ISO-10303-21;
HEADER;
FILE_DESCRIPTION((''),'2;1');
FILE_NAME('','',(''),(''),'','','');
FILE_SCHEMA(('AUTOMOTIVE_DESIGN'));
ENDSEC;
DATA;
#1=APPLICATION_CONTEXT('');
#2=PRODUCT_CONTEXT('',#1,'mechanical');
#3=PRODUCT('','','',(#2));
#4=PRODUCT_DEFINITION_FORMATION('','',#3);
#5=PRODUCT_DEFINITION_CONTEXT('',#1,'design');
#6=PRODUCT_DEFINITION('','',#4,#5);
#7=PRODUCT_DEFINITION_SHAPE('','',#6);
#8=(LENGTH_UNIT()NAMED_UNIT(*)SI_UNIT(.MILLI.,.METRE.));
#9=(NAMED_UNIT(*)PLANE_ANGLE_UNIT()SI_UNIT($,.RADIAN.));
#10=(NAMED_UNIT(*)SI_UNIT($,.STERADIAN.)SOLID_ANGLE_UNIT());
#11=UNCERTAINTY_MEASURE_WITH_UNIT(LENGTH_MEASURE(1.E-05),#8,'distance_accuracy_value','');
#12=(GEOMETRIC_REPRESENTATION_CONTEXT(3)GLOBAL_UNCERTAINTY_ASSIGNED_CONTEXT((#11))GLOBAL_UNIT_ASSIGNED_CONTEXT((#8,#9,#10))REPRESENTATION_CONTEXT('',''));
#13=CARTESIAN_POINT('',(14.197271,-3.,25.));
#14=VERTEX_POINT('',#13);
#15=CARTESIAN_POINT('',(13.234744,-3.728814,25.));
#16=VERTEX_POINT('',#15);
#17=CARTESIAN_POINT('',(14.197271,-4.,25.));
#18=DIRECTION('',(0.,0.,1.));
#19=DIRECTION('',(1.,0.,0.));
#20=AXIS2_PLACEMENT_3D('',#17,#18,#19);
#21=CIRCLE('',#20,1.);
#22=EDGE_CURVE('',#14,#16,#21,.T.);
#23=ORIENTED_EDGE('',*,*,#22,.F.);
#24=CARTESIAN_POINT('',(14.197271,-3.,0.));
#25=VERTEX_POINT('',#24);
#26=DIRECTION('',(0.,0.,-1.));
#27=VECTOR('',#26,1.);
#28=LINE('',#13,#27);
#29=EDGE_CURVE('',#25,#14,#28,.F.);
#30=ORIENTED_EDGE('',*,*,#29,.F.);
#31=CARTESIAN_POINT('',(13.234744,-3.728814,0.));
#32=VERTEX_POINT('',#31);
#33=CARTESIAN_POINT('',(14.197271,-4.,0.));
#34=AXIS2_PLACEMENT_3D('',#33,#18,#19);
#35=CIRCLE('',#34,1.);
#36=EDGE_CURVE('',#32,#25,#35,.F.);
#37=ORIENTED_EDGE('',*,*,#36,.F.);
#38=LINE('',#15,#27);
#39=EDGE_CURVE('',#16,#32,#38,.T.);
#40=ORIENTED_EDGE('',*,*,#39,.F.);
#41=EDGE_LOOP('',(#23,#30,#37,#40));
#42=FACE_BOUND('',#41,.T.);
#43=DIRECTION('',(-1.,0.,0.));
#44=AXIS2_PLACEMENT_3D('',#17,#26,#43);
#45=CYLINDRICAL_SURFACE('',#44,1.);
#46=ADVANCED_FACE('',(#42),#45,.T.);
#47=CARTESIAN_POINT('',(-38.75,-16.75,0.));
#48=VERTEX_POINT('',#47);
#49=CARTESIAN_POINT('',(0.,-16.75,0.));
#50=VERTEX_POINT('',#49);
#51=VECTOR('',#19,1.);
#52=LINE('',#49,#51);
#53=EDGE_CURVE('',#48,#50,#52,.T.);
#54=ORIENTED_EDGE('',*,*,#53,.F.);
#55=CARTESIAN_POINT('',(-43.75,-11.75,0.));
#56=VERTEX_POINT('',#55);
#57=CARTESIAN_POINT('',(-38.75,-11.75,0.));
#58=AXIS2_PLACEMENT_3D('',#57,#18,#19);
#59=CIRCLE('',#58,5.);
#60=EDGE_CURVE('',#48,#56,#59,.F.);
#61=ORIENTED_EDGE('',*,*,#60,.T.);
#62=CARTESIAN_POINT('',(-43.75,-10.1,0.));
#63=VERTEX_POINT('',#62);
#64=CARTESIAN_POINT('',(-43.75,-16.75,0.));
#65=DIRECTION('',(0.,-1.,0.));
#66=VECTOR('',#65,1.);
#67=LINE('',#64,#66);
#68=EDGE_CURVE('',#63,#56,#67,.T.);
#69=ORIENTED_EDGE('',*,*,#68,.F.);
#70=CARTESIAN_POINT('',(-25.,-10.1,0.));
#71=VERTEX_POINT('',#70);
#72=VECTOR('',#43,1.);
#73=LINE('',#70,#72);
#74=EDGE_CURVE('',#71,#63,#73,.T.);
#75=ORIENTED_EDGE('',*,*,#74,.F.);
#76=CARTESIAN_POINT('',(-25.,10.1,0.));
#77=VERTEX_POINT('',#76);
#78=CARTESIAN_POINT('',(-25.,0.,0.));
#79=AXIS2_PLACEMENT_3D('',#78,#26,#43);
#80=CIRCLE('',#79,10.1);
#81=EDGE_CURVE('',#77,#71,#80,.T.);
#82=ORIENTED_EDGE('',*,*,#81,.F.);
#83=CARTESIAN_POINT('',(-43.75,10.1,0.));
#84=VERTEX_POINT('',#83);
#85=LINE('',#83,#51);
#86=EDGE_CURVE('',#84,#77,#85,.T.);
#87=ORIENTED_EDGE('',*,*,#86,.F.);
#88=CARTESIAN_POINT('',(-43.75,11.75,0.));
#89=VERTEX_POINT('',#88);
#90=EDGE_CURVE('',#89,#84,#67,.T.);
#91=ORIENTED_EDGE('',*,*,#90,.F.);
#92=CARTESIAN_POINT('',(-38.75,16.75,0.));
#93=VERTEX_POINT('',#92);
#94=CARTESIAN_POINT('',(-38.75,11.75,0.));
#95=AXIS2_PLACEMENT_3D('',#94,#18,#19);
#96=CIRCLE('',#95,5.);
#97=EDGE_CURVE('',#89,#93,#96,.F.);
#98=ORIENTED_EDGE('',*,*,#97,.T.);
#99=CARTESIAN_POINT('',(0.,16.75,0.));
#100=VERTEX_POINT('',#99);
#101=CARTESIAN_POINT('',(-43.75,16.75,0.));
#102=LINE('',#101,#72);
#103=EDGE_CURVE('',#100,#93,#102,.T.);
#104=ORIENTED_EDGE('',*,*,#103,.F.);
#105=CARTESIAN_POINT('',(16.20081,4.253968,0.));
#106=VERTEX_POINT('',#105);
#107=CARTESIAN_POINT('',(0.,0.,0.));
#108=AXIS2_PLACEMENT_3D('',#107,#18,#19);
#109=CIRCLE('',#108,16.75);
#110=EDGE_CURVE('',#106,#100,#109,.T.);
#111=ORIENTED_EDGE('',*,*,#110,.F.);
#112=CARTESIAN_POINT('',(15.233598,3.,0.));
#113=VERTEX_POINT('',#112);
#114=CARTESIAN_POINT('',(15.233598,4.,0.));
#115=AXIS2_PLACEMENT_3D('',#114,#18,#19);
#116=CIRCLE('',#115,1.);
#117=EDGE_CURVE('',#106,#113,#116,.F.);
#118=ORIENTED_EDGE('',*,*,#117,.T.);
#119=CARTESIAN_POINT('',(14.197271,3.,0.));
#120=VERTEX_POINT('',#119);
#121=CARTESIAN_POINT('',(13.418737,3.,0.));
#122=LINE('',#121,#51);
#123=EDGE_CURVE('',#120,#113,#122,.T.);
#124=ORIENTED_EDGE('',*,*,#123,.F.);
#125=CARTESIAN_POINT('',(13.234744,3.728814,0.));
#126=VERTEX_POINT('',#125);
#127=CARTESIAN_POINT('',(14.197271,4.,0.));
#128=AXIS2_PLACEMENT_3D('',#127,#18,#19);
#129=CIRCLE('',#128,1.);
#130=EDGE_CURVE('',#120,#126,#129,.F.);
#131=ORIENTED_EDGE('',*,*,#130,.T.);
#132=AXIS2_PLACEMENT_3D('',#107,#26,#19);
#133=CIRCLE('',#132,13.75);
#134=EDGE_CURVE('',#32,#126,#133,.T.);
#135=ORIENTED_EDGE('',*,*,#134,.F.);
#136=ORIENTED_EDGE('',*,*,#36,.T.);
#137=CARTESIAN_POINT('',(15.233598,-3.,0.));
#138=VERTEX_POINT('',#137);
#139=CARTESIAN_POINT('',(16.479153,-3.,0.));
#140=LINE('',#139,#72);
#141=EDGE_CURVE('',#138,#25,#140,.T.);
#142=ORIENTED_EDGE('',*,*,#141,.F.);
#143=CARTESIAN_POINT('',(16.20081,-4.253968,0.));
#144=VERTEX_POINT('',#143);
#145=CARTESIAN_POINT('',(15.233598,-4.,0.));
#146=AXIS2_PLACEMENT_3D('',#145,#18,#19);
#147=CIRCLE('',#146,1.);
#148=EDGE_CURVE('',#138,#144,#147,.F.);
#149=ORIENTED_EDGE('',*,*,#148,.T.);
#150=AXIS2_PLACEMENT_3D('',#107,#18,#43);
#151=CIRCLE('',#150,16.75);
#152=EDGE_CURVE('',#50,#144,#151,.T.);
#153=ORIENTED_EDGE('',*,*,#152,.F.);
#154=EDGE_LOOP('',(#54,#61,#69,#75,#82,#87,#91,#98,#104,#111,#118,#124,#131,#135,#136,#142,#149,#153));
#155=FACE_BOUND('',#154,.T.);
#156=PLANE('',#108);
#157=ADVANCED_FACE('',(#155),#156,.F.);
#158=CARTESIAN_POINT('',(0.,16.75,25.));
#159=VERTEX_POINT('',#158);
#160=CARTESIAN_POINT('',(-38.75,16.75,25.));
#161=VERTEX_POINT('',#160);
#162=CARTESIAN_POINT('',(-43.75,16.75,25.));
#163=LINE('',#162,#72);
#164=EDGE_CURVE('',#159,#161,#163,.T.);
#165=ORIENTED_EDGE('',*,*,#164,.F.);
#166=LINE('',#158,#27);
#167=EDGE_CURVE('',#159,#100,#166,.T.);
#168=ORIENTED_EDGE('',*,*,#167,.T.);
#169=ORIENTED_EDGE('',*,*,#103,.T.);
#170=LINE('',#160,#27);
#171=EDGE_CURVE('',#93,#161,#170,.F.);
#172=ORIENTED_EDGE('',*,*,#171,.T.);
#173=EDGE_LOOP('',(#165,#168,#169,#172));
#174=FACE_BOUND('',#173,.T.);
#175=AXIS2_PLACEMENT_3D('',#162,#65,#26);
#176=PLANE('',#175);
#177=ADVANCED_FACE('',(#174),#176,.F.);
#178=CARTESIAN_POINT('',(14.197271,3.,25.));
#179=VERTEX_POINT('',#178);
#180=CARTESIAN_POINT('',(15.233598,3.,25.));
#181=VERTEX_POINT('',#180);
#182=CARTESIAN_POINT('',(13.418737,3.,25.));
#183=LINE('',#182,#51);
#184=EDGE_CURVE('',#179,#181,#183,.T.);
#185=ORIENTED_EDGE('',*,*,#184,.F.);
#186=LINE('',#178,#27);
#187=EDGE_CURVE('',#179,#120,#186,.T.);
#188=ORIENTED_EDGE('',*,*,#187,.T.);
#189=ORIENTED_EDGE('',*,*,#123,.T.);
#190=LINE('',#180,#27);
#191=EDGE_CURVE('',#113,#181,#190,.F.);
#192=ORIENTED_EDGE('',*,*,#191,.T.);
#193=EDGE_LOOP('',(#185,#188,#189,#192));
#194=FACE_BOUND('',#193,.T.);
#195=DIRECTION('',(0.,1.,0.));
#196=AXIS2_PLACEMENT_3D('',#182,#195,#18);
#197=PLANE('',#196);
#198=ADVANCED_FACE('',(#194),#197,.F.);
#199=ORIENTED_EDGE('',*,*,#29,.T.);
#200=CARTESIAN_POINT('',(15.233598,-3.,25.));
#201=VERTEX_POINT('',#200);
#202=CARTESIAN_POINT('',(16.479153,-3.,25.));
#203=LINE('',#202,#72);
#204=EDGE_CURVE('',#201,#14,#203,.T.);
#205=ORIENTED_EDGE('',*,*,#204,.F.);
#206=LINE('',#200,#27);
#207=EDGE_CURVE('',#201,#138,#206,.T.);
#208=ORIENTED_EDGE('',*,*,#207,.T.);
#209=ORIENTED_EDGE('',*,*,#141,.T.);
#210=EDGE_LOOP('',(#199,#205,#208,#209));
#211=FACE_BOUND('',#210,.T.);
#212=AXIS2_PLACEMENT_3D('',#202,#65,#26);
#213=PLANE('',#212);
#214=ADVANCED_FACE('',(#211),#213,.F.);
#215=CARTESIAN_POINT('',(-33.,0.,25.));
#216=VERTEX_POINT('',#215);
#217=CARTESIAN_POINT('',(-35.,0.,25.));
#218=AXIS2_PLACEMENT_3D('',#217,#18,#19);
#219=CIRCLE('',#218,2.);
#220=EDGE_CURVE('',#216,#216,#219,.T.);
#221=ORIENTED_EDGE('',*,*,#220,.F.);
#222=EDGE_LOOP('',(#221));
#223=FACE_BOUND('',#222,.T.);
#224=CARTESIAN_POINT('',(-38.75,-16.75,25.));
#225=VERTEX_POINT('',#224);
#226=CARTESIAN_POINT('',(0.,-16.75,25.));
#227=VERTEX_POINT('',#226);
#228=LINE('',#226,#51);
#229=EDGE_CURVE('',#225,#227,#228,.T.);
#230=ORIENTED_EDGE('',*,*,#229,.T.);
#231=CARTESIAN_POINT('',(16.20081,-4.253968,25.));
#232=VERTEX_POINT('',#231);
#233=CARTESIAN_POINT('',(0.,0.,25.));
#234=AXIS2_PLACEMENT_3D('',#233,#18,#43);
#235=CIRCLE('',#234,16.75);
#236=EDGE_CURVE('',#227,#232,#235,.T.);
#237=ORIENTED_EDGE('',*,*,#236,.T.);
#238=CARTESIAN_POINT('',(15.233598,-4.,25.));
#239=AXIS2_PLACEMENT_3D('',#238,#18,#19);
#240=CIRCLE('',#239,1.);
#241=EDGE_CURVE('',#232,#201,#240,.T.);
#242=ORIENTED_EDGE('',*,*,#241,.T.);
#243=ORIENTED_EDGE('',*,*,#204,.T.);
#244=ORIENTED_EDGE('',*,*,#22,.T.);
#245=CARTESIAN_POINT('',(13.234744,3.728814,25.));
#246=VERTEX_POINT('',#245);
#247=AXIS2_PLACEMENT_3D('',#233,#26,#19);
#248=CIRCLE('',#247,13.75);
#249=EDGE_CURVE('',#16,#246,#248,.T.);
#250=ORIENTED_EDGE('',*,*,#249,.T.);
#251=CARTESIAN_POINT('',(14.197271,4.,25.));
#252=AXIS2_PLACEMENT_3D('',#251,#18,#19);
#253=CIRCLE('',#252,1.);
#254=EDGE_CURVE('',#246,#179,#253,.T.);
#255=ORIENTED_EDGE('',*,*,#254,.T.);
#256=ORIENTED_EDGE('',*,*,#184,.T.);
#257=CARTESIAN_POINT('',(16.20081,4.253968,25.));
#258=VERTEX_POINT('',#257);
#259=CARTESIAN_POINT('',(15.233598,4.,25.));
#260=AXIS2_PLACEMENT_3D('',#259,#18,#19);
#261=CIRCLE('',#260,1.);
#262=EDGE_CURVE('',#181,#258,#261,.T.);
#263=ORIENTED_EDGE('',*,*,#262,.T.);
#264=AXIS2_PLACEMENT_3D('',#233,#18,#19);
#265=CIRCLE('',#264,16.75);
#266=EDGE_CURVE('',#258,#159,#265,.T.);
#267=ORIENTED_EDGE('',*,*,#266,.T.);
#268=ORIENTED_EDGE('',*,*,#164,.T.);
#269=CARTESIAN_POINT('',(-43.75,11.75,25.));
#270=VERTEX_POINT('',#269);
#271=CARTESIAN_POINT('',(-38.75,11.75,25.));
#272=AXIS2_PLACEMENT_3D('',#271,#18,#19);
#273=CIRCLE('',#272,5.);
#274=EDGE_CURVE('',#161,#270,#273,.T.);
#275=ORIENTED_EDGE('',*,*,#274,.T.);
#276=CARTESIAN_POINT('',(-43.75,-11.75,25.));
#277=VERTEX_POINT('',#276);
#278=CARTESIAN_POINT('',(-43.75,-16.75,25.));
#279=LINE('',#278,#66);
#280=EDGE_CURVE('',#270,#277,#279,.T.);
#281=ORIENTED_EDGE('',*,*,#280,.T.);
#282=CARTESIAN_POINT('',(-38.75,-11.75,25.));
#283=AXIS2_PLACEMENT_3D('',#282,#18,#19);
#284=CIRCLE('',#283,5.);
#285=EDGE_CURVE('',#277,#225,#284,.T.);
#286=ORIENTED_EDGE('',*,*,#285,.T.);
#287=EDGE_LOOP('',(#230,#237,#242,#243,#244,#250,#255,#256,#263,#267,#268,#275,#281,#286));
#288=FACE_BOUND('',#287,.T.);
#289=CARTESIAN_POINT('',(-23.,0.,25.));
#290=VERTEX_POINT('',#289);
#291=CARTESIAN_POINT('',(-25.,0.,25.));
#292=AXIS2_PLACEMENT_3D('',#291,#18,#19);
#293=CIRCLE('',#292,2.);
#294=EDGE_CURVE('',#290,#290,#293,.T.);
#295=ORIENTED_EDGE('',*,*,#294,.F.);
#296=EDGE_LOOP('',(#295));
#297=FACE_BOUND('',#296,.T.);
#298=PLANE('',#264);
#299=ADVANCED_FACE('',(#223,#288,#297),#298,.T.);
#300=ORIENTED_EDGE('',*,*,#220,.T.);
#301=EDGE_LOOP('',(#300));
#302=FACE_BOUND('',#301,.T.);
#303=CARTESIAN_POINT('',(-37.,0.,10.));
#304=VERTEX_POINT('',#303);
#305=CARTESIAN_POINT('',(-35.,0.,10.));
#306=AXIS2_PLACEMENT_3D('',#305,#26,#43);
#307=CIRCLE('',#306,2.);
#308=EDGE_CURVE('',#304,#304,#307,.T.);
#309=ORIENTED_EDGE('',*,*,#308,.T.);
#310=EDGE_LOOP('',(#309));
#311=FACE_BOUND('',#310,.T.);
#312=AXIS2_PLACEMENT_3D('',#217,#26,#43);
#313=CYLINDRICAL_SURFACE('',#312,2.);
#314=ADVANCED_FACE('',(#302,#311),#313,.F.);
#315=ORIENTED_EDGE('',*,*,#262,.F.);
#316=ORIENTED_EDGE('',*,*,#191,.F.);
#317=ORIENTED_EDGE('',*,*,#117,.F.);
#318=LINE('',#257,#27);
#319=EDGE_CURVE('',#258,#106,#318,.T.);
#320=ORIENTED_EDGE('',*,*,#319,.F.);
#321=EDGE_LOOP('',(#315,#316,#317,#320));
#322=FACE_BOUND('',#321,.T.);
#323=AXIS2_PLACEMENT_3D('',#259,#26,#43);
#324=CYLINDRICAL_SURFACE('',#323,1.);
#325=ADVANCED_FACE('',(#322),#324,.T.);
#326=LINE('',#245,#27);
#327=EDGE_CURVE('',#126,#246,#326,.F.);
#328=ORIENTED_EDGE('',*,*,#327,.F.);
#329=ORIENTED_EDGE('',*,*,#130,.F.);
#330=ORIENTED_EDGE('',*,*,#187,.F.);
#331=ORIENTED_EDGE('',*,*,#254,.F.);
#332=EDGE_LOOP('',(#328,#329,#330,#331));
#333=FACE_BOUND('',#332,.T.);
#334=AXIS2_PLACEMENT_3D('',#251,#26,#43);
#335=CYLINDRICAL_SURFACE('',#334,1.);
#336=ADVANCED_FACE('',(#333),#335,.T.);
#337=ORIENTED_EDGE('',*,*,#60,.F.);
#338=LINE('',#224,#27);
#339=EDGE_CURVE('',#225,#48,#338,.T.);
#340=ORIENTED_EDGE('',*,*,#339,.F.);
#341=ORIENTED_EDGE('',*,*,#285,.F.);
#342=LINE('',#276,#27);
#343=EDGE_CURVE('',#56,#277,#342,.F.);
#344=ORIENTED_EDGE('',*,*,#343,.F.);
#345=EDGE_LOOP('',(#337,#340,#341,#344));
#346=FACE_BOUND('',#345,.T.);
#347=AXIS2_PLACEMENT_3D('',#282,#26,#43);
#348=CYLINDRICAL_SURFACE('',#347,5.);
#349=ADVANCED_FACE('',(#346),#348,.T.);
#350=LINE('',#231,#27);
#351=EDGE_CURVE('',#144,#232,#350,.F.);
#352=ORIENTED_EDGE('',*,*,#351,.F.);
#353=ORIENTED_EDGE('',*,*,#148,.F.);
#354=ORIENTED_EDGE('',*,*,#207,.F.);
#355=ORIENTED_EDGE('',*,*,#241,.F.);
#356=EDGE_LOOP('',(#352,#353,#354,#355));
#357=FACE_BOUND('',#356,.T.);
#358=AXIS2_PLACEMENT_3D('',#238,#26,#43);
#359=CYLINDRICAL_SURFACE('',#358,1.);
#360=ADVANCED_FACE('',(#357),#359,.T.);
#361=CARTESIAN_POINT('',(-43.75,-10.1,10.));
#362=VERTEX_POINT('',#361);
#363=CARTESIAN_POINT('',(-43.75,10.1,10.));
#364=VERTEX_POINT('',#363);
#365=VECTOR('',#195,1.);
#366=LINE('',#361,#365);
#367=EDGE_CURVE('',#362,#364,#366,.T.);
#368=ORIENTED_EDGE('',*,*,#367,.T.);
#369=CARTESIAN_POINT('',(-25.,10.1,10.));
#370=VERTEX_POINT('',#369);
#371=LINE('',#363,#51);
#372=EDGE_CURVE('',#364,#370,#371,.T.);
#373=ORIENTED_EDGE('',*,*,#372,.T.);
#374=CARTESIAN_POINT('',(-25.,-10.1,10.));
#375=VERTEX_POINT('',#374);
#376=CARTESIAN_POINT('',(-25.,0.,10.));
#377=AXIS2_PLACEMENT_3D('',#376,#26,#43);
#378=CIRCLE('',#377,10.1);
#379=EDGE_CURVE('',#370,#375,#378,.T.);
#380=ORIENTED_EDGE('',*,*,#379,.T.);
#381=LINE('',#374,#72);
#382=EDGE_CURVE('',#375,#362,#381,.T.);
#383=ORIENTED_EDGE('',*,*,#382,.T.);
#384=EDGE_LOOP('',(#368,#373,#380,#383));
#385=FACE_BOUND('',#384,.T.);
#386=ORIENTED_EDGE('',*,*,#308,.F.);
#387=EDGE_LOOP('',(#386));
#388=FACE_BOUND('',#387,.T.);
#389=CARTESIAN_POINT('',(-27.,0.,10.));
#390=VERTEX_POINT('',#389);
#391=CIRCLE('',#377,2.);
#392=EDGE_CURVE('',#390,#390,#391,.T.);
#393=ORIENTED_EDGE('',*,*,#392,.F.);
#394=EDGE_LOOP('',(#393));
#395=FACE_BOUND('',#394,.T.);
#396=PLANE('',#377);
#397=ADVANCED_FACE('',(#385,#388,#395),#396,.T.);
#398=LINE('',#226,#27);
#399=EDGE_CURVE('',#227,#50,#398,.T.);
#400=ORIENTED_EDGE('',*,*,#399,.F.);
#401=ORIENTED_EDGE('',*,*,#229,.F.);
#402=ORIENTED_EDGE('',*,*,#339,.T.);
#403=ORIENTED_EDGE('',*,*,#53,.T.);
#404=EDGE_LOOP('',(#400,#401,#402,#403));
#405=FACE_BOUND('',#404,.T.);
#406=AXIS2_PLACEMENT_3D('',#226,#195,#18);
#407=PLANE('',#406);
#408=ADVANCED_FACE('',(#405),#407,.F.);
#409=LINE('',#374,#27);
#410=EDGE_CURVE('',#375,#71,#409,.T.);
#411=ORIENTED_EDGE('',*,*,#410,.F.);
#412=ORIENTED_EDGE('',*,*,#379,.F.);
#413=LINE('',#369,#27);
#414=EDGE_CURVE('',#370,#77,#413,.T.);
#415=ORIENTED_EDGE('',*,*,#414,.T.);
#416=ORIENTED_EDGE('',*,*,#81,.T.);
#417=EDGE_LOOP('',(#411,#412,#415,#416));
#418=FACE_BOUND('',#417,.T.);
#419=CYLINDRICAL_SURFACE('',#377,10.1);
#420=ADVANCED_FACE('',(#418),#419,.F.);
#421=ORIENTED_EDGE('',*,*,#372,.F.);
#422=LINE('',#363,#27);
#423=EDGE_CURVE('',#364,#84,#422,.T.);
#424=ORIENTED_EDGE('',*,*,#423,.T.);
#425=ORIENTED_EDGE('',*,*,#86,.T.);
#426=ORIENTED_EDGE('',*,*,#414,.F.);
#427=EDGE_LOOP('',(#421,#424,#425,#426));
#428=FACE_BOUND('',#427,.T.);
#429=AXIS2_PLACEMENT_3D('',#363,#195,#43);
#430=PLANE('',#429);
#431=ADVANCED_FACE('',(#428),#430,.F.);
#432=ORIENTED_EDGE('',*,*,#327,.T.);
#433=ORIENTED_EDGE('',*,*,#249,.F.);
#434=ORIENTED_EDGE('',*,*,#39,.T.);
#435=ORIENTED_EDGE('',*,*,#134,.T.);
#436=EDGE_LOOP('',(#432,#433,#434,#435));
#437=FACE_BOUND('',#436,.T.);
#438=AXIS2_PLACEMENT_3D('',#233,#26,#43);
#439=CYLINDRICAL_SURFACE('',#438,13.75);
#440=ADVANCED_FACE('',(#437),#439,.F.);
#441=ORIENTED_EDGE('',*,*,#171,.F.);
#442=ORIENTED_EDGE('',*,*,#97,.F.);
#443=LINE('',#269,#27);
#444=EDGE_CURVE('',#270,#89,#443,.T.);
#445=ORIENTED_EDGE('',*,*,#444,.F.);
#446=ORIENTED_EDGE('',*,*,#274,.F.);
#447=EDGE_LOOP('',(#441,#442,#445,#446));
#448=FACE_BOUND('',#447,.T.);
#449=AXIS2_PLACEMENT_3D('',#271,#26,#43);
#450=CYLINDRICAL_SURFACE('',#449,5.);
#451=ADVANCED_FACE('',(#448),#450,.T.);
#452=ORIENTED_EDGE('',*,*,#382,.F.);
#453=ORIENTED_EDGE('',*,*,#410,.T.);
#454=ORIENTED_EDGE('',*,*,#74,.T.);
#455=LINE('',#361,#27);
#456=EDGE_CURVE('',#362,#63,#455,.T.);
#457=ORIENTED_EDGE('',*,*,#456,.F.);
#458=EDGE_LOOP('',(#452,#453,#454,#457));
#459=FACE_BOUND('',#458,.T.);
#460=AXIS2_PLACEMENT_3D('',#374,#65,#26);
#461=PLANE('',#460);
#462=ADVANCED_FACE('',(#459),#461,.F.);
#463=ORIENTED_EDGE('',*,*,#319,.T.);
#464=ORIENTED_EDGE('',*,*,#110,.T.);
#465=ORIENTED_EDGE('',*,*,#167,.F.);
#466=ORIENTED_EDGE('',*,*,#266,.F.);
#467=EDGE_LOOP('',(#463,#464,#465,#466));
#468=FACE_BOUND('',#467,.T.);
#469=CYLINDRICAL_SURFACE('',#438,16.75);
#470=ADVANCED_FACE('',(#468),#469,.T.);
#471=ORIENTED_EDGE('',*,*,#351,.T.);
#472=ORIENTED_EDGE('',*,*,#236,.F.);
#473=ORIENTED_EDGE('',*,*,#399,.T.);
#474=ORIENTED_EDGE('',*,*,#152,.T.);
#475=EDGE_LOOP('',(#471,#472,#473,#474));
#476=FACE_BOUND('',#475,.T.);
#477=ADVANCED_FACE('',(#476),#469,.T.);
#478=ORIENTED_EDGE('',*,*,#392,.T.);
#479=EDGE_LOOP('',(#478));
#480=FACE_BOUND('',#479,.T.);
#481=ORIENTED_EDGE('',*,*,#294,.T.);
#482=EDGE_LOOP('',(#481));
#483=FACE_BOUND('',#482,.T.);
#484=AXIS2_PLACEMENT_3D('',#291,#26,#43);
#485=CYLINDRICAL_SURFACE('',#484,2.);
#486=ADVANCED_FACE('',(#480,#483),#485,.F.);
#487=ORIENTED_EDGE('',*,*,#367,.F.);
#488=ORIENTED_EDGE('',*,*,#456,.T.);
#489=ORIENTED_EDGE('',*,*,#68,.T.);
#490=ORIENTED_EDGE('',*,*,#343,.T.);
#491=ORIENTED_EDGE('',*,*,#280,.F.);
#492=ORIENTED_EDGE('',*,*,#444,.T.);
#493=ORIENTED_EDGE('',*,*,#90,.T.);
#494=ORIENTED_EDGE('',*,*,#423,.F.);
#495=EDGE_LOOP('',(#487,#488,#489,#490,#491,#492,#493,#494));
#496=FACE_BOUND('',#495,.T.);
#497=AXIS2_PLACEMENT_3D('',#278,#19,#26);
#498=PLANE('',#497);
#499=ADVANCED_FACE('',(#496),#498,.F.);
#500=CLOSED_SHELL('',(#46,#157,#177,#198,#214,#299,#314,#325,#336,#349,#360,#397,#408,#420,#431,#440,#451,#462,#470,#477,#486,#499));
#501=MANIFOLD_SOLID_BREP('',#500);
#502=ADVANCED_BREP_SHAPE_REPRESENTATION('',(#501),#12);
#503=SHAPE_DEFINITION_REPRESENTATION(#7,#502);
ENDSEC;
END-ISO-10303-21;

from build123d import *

# Parameters (mm, degrees)
ESQUISSE1_R             = 2
BOSS_EXTRU_1_DEPTH      = 25
CONG_1_R                = 5
CONG_2_R                = 1
ENL_V_MAT_EXTRU_1_DEPTH = 10


with BuildPart() as part:
    # Esquisse1 → Boss.-Extru.1 (new body)
    with BuildSketch(Plane.XY):
        with BuildLine():
            Line((13.4187369, 3), (16.479153498, 3))
            ThreePointArc((16.479153498, 3), (10.731088016, 12.861036117), (0, 16.75))
            Line((0, 16.75), (-43.75, 16.75))
            Line((-43.75, 16.75), (-43.75, -16.75))
            Line((-43.75, -16.75), (0, -16.75))
            ThreePointArc((0, -16.75), (10.731088016, -12.861036117), (16.479153498, -3))
            Line((16.479153498, -3), (13.4187369, -3))
            ThreePointArc((13.4187369, -3), (-13.75, 0), (13.4187369, 3))
        make_face()
        with Locations((-35, 0)):
            Circle(ESQUISSE1_R, mode=Mode.SUBTRACT)
        with Locations((-25, 0)):
            Circle(ESQUISSE1_R, mode=Mode.SUBTRACT)
    extrude(amount=BOSS_EXTRU_1_DEPTH)

    # Congé1
    cong_1_edges = [part.edges().sort_by_distance(p)[0] for p in [
        (-43.75, -16.75, 12.5),
        (-43.75, 16.75, 12.5),
    ]]
    fillet(cong_1_edges, radius=CONG_1_R)

    # Congé2
    cong_2_edges = [part.edges().sort_by_distance(p)[0] for p in [
        (13.4187369, -3, 12.5),
        (16.479153498, -3, 12.5),
        (16.479153498, 3, 12.5),
        (13.4187369, 3, 12.5),
    ]]
    fillet(cong_2_edges, radius=CONG_2_R)

    # Esquisse2 → Enlèv. mat.-Extru.1 (cut)
    with BuildSketch(Plane(origin=(0, 0, 0), x_dir=(-1, 0, 0), z_dir=(0, 0, -1))):
        with BuildLine():
            Line((43.75, 10.1), (25, 10.1))
            ThreePointArc((25, 10.1), (14.9, 0), (25, -10.1))
            Line((25, -10.1), (43.75, -10.1))
            Line((43.75, -10.1), (43.75, 10.1))
        make_face()
    extrude(amount=-ENL_V_MAT_EXTRU_1_DEPTH, mode=Mode.SUBTRACT)


solid = part.part
